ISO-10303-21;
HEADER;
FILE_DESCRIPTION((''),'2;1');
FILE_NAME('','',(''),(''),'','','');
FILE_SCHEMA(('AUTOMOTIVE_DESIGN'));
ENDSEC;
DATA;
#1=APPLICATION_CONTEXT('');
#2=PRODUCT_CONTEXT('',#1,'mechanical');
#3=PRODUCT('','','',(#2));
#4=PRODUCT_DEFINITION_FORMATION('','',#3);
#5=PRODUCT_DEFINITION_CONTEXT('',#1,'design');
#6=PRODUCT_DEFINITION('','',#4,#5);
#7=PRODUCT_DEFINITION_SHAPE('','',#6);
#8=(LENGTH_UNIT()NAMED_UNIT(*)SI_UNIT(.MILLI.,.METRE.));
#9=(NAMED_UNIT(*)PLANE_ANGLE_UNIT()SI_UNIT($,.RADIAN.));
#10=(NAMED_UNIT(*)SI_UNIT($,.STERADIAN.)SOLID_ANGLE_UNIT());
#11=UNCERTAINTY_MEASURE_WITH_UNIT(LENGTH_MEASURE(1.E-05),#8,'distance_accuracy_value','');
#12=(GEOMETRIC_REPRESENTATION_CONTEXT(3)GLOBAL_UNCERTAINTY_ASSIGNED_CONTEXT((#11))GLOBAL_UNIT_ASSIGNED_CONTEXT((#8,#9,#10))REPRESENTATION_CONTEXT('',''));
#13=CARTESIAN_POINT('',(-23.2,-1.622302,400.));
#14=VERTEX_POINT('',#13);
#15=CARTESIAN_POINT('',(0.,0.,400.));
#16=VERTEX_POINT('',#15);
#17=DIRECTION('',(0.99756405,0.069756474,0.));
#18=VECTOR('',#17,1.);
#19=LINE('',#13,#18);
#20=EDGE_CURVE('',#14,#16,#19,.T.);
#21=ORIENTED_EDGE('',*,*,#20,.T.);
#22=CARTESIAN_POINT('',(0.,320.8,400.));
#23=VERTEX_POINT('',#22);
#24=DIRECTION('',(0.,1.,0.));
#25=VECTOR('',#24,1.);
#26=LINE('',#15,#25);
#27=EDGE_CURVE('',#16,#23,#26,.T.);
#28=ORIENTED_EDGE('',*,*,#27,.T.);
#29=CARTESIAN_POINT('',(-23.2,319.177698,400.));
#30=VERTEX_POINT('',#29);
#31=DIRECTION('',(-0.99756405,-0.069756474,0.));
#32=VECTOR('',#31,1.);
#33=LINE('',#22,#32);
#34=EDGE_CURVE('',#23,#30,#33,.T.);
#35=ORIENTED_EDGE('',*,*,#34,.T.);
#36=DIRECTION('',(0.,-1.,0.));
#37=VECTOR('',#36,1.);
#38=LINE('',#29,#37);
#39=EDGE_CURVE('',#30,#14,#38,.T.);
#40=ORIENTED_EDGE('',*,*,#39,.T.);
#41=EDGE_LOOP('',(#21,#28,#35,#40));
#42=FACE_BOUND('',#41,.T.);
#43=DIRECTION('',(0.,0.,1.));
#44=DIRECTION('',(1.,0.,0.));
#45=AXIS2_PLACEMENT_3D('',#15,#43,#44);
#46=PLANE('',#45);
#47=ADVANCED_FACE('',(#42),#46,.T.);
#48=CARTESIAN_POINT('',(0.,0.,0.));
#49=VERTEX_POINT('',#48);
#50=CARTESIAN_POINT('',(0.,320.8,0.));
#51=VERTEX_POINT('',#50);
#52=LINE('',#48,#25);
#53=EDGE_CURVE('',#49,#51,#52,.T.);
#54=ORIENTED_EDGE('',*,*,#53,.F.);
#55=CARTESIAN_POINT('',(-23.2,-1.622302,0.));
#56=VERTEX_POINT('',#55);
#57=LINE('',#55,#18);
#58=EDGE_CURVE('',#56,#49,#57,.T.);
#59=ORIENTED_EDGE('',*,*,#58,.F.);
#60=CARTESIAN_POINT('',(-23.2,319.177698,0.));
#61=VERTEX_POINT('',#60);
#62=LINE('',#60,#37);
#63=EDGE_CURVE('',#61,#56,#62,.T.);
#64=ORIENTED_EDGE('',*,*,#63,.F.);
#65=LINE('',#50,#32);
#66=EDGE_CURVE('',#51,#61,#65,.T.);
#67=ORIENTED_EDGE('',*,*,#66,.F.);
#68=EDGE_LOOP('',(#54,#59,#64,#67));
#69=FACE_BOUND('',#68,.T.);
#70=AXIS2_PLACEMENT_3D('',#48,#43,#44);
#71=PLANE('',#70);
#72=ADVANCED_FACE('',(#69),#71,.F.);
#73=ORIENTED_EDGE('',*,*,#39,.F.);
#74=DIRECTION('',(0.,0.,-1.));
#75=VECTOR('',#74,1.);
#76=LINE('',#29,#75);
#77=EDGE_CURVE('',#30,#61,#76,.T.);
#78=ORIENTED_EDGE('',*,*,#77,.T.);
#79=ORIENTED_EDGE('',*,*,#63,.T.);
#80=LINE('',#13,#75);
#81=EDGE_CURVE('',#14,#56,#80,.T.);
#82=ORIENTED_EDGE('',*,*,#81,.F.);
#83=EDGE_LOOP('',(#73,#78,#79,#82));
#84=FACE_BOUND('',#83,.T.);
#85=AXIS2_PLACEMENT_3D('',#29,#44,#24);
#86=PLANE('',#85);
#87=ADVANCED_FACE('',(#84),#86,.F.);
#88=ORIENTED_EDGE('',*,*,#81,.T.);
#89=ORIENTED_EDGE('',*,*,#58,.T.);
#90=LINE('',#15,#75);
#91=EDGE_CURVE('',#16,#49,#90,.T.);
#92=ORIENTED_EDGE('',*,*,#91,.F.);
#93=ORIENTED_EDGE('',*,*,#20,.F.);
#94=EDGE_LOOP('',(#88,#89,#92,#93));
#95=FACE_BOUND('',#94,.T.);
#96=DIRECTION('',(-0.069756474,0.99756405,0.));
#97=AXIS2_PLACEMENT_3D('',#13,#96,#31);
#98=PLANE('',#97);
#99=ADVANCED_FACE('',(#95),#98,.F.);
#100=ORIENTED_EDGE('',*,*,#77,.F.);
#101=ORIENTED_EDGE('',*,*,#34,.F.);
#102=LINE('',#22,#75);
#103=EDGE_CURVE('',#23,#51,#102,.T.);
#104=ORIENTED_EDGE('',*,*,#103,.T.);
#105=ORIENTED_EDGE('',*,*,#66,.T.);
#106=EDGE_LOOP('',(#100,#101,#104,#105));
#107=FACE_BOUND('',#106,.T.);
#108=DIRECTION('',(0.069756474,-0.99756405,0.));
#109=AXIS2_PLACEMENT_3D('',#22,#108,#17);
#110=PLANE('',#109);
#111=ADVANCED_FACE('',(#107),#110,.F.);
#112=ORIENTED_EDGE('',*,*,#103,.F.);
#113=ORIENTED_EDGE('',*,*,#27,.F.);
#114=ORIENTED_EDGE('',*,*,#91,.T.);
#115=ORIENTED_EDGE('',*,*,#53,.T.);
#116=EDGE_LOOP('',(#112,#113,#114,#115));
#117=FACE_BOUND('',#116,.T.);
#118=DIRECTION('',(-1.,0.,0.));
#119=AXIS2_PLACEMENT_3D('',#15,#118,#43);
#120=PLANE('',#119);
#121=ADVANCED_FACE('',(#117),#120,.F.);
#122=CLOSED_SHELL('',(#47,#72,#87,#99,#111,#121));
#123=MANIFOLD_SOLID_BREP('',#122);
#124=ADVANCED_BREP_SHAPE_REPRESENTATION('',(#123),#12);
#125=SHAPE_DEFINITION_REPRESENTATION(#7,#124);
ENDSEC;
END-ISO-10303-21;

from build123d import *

# Parameters (mm, degrees)
BOSS_EXTRUDE1_DEPTH = 400


with BuildPart() as part:
    # Sketch1 → Boss-Extrude1 (new body)
    with BuildSketch(Plane.XY):
        Polygon((0, 0), (0, 320.8), (-23.2, 319.177697963), (-23.2, -1.622302037), align=None)
    extrude(amount=BOSS_EXTRUDE1_DEPTH)


solid = part.part
